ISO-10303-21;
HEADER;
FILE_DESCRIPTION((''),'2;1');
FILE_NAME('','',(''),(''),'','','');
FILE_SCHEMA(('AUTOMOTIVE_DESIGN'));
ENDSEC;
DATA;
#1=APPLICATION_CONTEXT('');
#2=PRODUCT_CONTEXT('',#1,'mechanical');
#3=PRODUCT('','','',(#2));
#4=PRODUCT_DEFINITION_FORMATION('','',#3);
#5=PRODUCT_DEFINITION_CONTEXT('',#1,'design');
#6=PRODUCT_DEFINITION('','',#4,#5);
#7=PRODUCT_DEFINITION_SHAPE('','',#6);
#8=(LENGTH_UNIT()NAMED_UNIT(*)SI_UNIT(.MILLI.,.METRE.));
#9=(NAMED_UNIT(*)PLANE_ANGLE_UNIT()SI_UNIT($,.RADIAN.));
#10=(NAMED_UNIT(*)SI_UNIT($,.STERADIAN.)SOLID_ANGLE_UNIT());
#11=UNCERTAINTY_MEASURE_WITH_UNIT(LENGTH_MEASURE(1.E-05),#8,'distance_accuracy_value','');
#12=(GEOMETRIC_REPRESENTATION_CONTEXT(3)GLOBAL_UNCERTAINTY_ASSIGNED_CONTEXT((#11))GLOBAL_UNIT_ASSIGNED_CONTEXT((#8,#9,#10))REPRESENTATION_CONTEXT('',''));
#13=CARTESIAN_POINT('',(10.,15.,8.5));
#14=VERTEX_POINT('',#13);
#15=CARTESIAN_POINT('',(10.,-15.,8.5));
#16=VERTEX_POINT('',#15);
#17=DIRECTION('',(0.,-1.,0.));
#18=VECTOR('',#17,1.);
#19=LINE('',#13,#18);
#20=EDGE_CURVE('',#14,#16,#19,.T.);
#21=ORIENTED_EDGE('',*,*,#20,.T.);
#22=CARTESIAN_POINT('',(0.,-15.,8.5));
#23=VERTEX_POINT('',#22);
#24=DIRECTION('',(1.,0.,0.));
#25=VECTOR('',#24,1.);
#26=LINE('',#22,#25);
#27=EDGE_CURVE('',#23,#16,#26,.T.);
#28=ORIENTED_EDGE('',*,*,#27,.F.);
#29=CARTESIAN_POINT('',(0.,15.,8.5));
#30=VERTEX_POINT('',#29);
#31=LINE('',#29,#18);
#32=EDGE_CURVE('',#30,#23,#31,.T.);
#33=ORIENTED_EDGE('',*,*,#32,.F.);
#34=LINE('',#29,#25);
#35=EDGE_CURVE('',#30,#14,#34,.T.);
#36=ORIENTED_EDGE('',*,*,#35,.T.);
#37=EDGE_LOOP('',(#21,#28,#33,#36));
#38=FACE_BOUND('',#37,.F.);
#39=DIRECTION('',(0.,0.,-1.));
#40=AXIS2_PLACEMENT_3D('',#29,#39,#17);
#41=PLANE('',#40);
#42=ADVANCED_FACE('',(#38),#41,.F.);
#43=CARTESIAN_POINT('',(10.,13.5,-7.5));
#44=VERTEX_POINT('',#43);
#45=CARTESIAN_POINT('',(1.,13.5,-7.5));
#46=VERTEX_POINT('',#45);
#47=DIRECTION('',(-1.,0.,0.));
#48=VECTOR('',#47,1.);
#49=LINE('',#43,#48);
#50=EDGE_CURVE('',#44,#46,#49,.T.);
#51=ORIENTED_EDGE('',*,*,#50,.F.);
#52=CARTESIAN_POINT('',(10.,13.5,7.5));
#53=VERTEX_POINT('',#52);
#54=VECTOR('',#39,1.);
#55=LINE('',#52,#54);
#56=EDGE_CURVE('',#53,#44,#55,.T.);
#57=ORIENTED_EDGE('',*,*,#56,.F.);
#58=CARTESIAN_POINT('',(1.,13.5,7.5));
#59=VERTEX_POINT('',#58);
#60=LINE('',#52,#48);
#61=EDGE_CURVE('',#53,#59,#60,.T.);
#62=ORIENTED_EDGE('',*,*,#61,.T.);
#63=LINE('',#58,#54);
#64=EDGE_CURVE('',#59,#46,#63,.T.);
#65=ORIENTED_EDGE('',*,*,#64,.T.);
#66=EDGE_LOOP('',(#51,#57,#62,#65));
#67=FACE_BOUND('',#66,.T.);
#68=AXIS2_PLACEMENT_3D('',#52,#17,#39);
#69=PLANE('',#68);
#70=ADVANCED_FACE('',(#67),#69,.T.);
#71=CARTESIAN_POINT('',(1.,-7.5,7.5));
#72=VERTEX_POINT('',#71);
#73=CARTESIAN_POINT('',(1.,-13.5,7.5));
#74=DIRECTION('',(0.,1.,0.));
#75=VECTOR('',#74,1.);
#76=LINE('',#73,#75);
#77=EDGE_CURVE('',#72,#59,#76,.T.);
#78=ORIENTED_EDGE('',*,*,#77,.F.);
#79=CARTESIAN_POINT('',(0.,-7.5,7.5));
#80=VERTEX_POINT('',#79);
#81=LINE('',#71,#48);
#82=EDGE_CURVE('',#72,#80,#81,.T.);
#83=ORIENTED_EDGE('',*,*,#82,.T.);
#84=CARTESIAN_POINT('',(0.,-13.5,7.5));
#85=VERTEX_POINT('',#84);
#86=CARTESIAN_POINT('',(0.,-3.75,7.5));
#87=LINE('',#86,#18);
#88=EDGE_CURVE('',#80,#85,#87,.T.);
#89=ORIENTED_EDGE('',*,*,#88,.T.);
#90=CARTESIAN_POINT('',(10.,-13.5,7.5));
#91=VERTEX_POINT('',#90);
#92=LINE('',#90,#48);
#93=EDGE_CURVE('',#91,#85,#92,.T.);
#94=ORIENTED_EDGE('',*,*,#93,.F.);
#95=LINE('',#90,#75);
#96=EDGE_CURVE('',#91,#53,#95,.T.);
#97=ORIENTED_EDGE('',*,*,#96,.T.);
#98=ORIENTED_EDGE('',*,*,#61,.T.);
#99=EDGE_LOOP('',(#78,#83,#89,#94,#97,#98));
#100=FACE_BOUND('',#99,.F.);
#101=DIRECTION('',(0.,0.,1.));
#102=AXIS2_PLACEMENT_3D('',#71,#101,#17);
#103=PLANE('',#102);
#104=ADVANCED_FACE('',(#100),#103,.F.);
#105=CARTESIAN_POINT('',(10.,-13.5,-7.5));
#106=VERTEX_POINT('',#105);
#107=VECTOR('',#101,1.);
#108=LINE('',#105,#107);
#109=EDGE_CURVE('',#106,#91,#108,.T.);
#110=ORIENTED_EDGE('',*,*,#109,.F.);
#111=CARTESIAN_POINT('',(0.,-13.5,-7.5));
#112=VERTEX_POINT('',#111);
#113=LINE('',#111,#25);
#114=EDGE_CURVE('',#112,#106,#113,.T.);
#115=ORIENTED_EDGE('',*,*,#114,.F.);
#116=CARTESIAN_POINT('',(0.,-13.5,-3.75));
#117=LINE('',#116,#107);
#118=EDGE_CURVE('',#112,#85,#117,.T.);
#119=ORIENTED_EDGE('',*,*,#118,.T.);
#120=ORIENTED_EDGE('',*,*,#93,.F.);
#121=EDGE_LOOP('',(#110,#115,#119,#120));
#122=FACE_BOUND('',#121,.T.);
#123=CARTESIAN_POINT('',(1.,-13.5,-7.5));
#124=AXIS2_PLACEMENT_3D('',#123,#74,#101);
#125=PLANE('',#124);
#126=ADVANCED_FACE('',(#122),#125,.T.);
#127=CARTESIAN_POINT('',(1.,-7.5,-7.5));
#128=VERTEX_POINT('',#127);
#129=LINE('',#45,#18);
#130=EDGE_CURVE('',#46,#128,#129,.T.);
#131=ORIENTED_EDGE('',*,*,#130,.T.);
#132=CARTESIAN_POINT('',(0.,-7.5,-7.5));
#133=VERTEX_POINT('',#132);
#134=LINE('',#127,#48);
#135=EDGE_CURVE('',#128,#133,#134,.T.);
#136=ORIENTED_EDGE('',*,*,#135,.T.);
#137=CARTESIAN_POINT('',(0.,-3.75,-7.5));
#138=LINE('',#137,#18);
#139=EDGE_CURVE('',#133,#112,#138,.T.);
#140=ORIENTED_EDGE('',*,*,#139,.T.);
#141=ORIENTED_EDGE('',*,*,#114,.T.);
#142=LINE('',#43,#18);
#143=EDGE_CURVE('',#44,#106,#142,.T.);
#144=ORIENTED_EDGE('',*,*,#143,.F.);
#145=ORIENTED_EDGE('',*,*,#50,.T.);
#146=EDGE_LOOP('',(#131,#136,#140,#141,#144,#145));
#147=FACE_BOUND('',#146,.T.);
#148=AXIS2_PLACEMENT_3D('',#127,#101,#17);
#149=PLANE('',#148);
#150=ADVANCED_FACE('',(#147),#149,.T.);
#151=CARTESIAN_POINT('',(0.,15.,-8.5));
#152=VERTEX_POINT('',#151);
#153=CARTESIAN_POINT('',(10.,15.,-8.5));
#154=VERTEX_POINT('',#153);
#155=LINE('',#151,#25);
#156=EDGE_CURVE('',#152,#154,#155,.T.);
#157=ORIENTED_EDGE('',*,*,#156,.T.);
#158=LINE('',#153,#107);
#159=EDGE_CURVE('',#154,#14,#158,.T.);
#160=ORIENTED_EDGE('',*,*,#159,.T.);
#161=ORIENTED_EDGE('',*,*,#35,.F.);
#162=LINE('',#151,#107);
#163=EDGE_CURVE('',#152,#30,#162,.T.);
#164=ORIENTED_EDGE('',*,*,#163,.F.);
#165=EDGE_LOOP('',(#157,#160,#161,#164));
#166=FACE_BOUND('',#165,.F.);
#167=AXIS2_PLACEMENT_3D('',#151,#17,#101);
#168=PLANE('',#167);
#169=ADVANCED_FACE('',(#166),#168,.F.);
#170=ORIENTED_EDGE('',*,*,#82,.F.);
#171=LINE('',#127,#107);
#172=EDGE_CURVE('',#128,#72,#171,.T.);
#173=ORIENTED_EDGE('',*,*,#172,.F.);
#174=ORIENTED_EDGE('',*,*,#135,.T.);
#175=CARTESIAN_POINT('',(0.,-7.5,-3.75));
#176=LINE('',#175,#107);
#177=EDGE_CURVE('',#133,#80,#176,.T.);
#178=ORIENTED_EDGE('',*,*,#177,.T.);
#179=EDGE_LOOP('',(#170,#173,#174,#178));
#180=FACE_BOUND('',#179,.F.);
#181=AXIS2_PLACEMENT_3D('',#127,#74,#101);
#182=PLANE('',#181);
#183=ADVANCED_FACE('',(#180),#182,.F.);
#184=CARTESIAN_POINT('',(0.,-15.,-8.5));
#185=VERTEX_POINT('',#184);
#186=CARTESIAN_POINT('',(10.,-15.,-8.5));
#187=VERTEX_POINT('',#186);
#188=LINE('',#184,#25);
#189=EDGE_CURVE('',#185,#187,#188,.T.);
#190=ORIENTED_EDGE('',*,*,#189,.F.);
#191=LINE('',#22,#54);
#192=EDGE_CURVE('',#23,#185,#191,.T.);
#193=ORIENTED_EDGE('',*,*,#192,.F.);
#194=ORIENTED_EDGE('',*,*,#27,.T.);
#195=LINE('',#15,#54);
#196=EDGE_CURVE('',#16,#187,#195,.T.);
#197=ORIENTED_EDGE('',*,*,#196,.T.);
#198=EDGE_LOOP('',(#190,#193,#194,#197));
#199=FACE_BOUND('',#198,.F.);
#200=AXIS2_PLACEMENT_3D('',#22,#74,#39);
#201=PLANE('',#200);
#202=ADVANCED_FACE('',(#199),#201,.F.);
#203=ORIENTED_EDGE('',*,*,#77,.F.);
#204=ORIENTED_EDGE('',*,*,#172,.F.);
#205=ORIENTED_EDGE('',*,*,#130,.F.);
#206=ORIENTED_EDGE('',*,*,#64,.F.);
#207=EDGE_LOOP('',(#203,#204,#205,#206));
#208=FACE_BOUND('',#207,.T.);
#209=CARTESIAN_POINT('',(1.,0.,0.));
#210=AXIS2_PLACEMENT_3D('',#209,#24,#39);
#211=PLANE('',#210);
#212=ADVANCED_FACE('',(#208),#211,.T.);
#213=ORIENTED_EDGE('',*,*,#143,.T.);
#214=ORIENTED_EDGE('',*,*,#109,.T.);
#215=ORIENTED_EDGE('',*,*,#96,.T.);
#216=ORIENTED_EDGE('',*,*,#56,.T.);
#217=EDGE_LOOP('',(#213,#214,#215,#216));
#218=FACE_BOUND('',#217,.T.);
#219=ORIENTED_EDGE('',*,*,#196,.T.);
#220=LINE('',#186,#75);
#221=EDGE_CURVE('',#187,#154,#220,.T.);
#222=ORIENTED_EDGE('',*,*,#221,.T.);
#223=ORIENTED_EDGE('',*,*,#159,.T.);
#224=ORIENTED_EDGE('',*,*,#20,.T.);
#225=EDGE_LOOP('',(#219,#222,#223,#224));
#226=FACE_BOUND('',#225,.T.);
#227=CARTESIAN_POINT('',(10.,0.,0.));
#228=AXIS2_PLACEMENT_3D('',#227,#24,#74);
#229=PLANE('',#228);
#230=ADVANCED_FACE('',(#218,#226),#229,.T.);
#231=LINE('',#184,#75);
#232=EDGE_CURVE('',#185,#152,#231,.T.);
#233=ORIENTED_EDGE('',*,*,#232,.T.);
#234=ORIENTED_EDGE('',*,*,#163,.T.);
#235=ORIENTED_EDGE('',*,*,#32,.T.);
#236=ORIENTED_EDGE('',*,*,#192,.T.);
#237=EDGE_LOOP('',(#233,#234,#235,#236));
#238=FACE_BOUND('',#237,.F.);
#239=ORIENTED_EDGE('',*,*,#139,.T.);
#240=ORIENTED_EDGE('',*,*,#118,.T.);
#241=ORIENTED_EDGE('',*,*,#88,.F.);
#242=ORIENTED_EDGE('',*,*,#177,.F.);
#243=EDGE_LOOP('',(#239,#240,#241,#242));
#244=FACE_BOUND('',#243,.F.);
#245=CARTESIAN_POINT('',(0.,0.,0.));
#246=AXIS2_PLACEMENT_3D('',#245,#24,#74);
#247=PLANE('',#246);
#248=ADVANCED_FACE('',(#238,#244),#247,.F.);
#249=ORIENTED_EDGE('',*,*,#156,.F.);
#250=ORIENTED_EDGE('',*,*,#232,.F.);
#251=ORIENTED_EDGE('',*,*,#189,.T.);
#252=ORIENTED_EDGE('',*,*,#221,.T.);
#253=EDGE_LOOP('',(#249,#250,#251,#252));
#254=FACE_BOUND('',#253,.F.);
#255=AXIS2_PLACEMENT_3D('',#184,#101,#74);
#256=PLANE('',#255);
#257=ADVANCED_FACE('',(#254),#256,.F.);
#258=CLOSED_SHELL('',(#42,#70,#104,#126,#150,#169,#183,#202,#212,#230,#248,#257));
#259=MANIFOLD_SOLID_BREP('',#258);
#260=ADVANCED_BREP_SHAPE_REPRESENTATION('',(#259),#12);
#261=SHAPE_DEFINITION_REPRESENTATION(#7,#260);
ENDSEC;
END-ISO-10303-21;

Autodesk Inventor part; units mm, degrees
ref_plane "YZ Plane" through (0, 0, 0) normal (1, 0, 0) x (0, 1, 0)
ref_plane "XZ Plane" through (0, 0, 0) normal (0, 1, 0) x (-1, 0, 0)
ref_plane "XY Plane" through (0, 0, 0) normal (0, 0, 1) x (1, 0, 0)
sketch "Esquisse1" plane through (0, 0, 0) normal (1, 0, 0) x (0, 1, 0)
  line L0 (15, 8.5) -> (-15, 8.5)
  line L1 (-15, 8.5) -> (-15, -8.5)
  line L2 (-15, -8.5) -> (15, -8.5)
  line L3 (15, -8.5) -> (15, 8.5)
  point P0 (0, 0)
  point P1 (0, 0)
  point P2 (0, 0)
  dimension "d4" = 30
  dimension "d5" = 17
extrude "Extrusion1" add sketch "Esquisse1" along normal blind 10
sketch "Esquisse2" plane through (10, 0, 0) normal (1, 0, 0) x (0, 0, -1)
  line L0 (-7.5, 13.5) -> (7.5, 13.5)
  line L1 (7.5, 13.5) -> (7.5, -13.5)
  line L2 (7.5, -13.5) -> (-7.5, -13.5)
  line L3 (-7.5, -13.5) -> (-7.5, 13.5)
  line L4 (-7.5, 13.5) -> (7.5, -13.5)
  line L5 (-7.5, -13.5) -> (7.5, 13.5)
  point P0 (0, 0)
  point P1 (0, 0)
  point P2 (0, 0)
  dimension "d8" = 27
  dimension "d9" = 15
extrude "Extrusion2" cut sketch "Esquisse2" against normal blind 9
sketch "Esquisse3" plane through (1, 0, 0) normal (1, 0, 0) x (0, 0, -1)
  line L0 (7.5, -13.5) -> (-7.5, -13.5) projected
  line L1 (7.5, 13.5) -> (7.5, -13.5) projected
  line L2 (-7.5, -13.5) -> (7.5, -13.5)
  line L3 (7.5, -13.5) -> (7.5, -7.5)
  line L4 (7.5, -7.5) -> (-7.5, -7.5)
  line L5 (-7.5, -7.5) -> (-7.5, -13.5)
  point P0 (0, 0)
  dimension "d12" = 6
extrude "Extrusion3" cut sketch "Esquisse3" against normal blind 9
properties part number "support_tof_actionneur_panneaux_solaires"
